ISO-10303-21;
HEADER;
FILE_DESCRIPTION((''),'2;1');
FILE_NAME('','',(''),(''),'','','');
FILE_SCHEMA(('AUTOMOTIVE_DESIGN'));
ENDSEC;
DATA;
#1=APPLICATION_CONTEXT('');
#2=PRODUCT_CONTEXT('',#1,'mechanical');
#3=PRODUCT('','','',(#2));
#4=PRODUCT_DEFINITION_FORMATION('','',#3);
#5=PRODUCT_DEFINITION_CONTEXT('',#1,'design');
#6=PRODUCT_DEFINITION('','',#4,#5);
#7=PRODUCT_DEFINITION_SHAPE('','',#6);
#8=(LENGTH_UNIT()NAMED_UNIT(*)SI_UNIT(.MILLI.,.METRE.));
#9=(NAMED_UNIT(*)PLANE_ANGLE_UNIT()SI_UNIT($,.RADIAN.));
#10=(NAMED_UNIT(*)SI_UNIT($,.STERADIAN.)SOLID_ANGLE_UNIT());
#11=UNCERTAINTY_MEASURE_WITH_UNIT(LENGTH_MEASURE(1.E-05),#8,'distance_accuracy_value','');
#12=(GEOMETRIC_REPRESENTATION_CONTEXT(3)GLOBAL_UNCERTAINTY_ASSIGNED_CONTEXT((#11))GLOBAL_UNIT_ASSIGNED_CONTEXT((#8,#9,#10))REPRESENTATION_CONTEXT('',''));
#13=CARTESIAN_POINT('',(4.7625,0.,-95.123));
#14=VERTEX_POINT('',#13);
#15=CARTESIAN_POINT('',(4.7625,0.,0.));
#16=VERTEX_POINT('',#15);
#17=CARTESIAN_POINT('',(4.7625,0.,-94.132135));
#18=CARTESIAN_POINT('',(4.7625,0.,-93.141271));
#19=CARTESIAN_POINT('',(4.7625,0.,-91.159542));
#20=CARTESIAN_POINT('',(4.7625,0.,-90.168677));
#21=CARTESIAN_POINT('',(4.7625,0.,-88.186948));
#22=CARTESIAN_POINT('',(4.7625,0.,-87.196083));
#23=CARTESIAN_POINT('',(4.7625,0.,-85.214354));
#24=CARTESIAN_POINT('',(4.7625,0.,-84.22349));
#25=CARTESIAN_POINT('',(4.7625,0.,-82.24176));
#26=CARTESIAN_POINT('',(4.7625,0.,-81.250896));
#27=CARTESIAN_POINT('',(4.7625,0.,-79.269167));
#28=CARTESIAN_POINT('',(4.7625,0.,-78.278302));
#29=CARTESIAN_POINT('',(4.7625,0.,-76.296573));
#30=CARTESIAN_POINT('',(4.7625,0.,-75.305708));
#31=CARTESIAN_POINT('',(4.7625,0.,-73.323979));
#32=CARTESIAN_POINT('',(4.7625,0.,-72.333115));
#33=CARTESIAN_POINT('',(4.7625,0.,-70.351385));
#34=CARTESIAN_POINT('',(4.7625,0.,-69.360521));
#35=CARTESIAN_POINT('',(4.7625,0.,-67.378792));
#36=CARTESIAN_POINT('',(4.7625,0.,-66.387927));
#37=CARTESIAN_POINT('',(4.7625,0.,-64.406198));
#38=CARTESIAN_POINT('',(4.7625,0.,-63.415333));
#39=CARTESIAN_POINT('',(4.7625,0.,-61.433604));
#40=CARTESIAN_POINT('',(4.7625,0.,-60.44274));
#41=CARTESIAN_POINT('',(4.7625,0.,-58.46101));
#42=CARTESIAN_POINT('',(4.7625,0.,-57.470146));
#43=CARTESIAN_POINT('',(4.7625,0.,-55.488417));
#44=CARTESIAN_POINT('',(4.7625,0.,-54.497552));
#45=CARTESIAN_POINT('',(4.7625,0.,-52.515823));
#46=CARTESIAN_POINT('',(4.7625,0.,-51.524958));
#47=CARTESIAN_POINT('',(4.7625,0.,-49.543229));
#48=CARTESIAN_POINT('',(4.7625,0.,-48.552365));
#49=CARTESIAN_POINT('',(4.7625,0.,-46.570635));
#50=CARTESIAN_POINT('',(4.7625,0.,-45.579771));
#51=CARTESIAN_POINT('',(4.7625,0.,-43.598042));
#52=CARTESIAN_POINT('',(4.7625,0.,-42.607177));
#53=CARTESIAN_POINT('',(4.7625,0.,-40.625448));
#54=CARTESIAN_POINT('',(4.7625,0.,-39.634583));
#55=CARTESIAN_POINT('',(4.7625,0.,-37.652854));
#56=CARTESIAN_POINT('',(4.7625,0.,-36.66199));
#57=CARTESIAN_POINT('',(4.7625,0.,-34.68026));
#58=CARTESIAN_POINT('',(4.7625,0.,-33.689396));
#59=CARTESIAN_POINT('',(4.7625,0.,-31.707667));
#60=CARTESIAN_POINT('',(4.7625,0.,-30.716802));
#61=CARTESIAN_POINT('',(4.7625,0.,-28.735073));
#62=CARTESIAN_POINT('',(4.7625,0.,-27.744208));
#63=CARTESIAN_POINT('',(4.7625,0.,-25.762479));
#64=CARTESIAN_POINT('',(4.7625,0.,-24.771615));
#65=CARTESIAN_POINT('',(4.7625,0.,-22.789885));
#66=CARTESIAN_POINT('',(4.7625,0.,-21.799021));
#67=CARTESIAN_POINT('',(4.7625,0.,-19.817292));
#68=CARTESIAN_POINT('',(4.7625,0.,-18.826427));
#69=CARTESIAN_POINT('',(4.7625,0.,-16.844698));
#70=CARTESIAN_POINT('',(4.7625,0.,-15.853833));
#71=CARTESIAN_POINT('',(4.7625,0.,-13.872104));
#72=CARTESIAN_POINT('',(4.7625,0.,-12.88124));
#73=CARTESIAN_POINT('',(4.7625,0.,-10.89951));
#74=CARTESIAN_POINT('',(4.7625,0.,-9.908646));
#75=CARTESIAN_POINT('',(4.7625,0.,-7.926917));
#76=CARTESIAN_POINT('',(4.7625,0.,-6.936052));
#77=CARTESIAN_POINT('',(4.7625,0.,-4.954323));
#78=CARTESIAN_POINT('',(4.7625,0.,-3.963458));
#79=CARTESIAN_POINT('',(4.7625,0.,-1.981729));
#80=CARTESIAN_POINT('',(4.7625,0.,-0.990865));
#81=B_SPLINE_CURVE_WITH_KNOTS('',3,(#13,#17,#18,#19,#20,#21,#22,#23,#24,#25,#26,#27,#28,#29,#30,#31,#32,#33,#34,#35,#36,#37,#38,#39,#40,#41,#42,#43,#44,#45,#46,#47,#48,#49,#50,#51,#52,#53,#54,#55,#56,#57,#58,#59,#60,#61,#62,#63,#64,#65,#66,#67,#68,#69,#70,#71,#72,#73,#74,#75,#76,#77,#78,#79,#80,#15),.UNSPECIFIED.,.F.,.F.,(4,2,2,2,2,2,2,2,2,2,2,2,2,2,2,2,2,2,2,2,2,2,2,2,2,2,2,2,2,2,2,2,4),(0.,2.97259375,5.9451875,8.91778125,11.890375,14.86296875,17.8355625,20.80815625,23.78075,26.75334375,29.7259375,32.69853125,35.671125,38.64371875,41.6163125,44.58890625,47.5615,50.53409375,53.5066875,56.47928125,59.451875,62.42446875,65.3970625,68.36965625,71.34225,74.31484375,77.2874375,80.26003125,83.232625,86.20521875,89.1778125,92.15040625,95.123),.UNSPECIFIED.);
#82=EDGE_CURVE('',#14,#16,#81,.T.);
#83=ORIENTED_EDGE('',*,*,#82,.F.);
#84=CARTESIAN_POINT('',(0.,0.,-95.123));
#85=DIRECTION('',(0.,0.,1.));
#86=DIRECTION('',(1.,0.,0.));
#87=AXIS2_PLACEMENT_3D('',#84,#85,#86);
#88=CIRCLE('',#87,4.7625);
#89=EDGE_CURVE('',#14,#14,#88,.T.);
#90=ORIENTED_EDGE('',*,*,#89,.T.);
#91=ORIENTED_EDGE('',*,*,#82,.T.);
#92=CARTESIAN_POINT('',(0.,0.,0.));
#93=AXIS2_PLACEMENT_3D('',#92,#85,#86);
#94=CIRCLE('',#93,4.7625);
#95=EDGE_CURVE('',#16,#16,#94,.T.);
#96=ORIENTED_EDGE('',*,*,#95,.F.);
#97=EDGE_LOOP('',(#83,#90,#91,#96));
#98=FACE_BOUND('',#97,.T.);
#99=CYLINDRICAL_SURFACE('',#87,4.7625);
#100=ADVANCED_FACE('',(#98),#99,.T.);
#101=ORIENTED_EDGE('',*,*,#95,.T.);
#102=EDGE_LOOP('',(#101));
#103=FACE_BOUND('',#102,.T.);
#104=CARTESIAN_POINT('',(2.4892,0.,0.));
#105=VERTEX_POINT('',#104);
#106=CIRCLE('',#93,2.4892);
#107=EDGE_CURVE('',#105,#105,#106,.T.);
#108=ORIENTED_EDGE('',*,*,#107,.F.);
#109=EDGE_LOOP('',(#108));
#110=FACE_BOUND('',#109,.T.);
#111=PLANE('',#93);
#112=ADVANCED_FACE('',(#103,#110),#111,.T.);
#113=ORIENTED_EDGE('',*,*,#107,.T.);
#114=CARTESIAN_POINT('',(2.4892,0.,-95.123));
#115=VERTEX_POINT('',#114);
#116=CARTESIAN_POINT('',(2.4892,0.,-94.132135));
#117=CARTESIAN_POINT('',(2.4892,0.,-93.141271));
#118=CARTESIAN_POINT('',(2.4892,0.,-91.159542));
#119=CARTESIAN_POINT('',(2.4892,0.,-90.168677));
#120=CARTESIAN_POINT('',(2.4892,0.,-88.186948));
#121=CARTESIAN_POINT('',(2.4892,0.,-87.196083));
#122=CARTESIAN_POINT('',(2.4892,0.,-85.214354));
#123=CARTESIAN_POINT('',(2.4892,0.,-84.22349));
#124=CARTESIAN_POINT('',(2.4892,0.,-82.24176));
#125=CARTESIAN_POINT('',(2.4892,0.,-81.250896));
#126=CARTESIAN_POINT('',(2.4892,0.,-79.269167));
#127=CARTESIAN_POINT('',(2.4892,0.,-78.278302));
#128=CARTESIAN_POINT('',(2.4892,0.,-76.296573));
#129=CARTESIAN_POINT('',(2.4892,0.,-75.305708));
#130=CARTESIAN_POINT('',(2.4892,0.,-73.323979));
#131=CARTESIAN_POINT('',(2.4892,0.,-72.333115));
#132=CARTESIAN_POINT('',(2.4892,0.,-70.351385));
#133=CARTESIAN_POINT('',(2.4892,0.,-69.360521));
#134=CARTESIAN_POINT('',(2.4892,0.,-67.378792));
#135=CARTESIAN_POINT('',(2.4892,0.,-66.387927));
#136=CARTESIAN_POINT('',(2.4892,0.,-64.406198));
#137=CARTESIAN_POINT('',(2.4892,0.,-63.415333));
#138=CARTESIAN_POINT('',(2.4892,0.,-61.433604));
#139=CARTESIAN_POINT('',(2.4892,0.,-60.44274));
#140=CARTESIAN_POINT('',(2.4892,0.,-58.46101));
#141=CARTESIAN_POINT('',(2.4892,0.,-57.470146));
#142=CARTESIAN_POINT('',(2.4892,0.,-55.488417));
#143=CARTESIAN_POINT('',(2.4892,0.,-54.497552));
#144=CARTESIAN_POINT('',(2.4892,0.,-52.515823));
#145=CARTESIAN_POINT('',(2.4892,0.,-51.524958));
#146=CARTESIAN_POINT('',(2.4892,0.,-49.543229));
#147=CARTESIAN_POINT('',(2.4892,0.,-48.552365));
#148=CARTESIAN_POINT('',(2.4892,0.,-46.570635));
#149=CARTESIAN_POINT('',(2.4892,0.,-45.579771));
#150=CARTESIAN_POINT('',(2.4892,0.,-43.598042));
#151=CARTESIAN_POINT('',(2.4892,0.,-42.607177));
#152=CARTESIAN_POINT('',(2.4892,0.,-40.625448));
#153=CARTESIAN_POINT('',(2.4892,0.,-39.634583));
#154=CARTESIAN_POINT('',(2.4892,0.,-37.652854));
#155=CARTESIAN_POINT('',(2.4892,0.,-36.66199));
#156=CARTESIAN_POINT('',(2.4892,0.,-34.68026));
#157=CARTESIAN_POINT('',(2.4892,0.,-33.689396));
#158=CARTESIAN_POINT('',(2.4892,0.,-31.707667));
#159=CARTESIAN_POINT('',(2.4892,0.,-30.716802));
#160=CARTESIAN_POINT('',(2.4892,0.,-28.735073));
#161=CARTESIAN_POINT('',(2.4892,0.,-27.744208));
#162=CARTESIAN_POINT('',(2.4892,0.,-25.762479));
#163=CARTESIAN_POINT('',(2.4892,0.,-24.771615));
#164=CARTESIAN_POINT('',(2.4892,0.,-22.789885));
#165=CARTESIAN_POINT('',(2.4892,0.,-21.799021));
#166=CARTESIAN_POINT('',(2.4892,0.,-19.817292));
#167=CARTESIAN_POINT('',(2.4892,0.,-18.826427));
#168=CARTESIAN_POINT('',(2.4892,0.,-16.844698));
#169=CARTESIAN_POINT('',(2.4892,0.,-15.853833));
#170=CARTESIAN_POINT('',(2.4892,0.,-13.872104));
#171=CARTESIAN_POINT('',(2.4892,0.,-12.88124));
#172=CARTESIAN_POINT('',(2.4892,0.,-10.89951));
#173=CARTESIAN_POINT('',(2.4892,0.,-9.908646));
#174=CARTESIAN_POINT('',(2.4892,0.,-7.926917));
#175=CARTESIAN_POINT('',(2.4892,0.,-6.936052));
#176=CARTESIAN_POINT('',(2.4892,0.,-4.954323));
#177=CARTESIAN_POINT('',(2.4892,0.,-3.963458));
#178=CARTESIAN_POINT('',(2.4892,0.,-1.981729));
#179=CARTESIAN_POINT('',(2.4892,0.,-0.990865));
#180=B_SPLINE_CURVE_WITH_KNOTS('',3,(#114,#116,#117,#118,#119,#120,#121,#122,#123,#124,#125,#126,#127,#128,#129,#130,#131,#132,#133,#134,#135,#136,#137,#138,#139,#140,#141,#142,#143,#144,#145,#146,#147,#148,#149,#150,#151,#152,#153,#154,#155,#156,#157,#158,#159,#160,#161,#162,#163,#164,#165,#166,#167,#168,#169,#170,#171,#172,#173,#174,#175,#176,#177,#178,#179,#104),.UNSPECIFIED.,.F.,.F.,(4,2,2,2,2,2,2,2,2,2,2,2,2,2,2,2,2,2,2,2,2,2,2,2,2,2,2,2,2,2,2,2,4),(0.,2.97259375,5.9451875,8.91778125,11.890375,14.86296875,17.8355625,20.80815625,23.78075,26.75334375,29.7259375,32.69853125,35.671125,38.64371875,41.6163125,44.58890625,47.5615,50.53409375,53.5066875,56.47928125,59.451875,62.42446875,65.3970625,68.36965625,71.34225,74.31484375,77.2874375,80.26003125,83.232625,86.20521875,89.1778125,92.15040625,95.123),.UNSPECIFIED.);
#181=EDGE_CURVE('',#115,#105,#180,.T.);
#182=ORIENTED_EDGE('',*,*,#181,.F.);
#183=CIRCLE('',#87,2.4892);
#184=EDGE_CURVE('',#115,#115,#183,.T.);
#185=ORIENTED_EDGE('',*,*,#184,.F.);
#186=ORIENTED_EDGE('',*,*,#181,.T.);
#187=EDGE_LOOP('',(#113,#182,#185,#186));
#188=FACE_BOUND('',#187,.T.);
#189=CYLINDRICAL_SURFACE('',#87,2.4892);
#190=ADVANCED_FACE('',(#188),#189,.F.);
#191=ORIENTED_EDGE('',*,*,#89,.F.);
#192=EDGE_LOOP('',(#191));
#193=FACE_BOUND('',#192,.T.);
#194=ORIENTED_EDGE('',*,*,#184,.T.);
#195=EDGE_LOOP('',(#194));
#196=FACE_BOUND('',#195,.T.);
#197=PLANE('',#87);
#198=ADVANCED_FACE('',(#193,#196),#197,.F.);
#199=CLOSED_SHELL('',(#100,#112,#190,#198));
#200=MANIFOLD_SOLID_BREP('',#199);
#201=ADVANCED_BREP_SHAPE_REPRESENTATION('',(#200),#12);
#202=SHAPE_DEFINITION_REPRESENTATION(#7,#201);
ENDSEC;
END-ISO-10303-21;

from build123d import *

# Parameters (mm, degrees)
SKETCH1_R           = 4.7625
SKETCH1_R_2         = 2.4892
BOSS_EXTRUDE1_DEPTH = 95.123


with BuildPart() as part:
    # Sketch1 → Boss-Extrude1 (new body)
    with BuildSketch(Plane.XY):
        Circle(SKETCH1_R)
        Circle(SKETCH1_R_2, mode=Mode.SUBTRACT)
    extrude(amount=-BOSS_EXTRUDE1_DEPTH)


solid = part.part
